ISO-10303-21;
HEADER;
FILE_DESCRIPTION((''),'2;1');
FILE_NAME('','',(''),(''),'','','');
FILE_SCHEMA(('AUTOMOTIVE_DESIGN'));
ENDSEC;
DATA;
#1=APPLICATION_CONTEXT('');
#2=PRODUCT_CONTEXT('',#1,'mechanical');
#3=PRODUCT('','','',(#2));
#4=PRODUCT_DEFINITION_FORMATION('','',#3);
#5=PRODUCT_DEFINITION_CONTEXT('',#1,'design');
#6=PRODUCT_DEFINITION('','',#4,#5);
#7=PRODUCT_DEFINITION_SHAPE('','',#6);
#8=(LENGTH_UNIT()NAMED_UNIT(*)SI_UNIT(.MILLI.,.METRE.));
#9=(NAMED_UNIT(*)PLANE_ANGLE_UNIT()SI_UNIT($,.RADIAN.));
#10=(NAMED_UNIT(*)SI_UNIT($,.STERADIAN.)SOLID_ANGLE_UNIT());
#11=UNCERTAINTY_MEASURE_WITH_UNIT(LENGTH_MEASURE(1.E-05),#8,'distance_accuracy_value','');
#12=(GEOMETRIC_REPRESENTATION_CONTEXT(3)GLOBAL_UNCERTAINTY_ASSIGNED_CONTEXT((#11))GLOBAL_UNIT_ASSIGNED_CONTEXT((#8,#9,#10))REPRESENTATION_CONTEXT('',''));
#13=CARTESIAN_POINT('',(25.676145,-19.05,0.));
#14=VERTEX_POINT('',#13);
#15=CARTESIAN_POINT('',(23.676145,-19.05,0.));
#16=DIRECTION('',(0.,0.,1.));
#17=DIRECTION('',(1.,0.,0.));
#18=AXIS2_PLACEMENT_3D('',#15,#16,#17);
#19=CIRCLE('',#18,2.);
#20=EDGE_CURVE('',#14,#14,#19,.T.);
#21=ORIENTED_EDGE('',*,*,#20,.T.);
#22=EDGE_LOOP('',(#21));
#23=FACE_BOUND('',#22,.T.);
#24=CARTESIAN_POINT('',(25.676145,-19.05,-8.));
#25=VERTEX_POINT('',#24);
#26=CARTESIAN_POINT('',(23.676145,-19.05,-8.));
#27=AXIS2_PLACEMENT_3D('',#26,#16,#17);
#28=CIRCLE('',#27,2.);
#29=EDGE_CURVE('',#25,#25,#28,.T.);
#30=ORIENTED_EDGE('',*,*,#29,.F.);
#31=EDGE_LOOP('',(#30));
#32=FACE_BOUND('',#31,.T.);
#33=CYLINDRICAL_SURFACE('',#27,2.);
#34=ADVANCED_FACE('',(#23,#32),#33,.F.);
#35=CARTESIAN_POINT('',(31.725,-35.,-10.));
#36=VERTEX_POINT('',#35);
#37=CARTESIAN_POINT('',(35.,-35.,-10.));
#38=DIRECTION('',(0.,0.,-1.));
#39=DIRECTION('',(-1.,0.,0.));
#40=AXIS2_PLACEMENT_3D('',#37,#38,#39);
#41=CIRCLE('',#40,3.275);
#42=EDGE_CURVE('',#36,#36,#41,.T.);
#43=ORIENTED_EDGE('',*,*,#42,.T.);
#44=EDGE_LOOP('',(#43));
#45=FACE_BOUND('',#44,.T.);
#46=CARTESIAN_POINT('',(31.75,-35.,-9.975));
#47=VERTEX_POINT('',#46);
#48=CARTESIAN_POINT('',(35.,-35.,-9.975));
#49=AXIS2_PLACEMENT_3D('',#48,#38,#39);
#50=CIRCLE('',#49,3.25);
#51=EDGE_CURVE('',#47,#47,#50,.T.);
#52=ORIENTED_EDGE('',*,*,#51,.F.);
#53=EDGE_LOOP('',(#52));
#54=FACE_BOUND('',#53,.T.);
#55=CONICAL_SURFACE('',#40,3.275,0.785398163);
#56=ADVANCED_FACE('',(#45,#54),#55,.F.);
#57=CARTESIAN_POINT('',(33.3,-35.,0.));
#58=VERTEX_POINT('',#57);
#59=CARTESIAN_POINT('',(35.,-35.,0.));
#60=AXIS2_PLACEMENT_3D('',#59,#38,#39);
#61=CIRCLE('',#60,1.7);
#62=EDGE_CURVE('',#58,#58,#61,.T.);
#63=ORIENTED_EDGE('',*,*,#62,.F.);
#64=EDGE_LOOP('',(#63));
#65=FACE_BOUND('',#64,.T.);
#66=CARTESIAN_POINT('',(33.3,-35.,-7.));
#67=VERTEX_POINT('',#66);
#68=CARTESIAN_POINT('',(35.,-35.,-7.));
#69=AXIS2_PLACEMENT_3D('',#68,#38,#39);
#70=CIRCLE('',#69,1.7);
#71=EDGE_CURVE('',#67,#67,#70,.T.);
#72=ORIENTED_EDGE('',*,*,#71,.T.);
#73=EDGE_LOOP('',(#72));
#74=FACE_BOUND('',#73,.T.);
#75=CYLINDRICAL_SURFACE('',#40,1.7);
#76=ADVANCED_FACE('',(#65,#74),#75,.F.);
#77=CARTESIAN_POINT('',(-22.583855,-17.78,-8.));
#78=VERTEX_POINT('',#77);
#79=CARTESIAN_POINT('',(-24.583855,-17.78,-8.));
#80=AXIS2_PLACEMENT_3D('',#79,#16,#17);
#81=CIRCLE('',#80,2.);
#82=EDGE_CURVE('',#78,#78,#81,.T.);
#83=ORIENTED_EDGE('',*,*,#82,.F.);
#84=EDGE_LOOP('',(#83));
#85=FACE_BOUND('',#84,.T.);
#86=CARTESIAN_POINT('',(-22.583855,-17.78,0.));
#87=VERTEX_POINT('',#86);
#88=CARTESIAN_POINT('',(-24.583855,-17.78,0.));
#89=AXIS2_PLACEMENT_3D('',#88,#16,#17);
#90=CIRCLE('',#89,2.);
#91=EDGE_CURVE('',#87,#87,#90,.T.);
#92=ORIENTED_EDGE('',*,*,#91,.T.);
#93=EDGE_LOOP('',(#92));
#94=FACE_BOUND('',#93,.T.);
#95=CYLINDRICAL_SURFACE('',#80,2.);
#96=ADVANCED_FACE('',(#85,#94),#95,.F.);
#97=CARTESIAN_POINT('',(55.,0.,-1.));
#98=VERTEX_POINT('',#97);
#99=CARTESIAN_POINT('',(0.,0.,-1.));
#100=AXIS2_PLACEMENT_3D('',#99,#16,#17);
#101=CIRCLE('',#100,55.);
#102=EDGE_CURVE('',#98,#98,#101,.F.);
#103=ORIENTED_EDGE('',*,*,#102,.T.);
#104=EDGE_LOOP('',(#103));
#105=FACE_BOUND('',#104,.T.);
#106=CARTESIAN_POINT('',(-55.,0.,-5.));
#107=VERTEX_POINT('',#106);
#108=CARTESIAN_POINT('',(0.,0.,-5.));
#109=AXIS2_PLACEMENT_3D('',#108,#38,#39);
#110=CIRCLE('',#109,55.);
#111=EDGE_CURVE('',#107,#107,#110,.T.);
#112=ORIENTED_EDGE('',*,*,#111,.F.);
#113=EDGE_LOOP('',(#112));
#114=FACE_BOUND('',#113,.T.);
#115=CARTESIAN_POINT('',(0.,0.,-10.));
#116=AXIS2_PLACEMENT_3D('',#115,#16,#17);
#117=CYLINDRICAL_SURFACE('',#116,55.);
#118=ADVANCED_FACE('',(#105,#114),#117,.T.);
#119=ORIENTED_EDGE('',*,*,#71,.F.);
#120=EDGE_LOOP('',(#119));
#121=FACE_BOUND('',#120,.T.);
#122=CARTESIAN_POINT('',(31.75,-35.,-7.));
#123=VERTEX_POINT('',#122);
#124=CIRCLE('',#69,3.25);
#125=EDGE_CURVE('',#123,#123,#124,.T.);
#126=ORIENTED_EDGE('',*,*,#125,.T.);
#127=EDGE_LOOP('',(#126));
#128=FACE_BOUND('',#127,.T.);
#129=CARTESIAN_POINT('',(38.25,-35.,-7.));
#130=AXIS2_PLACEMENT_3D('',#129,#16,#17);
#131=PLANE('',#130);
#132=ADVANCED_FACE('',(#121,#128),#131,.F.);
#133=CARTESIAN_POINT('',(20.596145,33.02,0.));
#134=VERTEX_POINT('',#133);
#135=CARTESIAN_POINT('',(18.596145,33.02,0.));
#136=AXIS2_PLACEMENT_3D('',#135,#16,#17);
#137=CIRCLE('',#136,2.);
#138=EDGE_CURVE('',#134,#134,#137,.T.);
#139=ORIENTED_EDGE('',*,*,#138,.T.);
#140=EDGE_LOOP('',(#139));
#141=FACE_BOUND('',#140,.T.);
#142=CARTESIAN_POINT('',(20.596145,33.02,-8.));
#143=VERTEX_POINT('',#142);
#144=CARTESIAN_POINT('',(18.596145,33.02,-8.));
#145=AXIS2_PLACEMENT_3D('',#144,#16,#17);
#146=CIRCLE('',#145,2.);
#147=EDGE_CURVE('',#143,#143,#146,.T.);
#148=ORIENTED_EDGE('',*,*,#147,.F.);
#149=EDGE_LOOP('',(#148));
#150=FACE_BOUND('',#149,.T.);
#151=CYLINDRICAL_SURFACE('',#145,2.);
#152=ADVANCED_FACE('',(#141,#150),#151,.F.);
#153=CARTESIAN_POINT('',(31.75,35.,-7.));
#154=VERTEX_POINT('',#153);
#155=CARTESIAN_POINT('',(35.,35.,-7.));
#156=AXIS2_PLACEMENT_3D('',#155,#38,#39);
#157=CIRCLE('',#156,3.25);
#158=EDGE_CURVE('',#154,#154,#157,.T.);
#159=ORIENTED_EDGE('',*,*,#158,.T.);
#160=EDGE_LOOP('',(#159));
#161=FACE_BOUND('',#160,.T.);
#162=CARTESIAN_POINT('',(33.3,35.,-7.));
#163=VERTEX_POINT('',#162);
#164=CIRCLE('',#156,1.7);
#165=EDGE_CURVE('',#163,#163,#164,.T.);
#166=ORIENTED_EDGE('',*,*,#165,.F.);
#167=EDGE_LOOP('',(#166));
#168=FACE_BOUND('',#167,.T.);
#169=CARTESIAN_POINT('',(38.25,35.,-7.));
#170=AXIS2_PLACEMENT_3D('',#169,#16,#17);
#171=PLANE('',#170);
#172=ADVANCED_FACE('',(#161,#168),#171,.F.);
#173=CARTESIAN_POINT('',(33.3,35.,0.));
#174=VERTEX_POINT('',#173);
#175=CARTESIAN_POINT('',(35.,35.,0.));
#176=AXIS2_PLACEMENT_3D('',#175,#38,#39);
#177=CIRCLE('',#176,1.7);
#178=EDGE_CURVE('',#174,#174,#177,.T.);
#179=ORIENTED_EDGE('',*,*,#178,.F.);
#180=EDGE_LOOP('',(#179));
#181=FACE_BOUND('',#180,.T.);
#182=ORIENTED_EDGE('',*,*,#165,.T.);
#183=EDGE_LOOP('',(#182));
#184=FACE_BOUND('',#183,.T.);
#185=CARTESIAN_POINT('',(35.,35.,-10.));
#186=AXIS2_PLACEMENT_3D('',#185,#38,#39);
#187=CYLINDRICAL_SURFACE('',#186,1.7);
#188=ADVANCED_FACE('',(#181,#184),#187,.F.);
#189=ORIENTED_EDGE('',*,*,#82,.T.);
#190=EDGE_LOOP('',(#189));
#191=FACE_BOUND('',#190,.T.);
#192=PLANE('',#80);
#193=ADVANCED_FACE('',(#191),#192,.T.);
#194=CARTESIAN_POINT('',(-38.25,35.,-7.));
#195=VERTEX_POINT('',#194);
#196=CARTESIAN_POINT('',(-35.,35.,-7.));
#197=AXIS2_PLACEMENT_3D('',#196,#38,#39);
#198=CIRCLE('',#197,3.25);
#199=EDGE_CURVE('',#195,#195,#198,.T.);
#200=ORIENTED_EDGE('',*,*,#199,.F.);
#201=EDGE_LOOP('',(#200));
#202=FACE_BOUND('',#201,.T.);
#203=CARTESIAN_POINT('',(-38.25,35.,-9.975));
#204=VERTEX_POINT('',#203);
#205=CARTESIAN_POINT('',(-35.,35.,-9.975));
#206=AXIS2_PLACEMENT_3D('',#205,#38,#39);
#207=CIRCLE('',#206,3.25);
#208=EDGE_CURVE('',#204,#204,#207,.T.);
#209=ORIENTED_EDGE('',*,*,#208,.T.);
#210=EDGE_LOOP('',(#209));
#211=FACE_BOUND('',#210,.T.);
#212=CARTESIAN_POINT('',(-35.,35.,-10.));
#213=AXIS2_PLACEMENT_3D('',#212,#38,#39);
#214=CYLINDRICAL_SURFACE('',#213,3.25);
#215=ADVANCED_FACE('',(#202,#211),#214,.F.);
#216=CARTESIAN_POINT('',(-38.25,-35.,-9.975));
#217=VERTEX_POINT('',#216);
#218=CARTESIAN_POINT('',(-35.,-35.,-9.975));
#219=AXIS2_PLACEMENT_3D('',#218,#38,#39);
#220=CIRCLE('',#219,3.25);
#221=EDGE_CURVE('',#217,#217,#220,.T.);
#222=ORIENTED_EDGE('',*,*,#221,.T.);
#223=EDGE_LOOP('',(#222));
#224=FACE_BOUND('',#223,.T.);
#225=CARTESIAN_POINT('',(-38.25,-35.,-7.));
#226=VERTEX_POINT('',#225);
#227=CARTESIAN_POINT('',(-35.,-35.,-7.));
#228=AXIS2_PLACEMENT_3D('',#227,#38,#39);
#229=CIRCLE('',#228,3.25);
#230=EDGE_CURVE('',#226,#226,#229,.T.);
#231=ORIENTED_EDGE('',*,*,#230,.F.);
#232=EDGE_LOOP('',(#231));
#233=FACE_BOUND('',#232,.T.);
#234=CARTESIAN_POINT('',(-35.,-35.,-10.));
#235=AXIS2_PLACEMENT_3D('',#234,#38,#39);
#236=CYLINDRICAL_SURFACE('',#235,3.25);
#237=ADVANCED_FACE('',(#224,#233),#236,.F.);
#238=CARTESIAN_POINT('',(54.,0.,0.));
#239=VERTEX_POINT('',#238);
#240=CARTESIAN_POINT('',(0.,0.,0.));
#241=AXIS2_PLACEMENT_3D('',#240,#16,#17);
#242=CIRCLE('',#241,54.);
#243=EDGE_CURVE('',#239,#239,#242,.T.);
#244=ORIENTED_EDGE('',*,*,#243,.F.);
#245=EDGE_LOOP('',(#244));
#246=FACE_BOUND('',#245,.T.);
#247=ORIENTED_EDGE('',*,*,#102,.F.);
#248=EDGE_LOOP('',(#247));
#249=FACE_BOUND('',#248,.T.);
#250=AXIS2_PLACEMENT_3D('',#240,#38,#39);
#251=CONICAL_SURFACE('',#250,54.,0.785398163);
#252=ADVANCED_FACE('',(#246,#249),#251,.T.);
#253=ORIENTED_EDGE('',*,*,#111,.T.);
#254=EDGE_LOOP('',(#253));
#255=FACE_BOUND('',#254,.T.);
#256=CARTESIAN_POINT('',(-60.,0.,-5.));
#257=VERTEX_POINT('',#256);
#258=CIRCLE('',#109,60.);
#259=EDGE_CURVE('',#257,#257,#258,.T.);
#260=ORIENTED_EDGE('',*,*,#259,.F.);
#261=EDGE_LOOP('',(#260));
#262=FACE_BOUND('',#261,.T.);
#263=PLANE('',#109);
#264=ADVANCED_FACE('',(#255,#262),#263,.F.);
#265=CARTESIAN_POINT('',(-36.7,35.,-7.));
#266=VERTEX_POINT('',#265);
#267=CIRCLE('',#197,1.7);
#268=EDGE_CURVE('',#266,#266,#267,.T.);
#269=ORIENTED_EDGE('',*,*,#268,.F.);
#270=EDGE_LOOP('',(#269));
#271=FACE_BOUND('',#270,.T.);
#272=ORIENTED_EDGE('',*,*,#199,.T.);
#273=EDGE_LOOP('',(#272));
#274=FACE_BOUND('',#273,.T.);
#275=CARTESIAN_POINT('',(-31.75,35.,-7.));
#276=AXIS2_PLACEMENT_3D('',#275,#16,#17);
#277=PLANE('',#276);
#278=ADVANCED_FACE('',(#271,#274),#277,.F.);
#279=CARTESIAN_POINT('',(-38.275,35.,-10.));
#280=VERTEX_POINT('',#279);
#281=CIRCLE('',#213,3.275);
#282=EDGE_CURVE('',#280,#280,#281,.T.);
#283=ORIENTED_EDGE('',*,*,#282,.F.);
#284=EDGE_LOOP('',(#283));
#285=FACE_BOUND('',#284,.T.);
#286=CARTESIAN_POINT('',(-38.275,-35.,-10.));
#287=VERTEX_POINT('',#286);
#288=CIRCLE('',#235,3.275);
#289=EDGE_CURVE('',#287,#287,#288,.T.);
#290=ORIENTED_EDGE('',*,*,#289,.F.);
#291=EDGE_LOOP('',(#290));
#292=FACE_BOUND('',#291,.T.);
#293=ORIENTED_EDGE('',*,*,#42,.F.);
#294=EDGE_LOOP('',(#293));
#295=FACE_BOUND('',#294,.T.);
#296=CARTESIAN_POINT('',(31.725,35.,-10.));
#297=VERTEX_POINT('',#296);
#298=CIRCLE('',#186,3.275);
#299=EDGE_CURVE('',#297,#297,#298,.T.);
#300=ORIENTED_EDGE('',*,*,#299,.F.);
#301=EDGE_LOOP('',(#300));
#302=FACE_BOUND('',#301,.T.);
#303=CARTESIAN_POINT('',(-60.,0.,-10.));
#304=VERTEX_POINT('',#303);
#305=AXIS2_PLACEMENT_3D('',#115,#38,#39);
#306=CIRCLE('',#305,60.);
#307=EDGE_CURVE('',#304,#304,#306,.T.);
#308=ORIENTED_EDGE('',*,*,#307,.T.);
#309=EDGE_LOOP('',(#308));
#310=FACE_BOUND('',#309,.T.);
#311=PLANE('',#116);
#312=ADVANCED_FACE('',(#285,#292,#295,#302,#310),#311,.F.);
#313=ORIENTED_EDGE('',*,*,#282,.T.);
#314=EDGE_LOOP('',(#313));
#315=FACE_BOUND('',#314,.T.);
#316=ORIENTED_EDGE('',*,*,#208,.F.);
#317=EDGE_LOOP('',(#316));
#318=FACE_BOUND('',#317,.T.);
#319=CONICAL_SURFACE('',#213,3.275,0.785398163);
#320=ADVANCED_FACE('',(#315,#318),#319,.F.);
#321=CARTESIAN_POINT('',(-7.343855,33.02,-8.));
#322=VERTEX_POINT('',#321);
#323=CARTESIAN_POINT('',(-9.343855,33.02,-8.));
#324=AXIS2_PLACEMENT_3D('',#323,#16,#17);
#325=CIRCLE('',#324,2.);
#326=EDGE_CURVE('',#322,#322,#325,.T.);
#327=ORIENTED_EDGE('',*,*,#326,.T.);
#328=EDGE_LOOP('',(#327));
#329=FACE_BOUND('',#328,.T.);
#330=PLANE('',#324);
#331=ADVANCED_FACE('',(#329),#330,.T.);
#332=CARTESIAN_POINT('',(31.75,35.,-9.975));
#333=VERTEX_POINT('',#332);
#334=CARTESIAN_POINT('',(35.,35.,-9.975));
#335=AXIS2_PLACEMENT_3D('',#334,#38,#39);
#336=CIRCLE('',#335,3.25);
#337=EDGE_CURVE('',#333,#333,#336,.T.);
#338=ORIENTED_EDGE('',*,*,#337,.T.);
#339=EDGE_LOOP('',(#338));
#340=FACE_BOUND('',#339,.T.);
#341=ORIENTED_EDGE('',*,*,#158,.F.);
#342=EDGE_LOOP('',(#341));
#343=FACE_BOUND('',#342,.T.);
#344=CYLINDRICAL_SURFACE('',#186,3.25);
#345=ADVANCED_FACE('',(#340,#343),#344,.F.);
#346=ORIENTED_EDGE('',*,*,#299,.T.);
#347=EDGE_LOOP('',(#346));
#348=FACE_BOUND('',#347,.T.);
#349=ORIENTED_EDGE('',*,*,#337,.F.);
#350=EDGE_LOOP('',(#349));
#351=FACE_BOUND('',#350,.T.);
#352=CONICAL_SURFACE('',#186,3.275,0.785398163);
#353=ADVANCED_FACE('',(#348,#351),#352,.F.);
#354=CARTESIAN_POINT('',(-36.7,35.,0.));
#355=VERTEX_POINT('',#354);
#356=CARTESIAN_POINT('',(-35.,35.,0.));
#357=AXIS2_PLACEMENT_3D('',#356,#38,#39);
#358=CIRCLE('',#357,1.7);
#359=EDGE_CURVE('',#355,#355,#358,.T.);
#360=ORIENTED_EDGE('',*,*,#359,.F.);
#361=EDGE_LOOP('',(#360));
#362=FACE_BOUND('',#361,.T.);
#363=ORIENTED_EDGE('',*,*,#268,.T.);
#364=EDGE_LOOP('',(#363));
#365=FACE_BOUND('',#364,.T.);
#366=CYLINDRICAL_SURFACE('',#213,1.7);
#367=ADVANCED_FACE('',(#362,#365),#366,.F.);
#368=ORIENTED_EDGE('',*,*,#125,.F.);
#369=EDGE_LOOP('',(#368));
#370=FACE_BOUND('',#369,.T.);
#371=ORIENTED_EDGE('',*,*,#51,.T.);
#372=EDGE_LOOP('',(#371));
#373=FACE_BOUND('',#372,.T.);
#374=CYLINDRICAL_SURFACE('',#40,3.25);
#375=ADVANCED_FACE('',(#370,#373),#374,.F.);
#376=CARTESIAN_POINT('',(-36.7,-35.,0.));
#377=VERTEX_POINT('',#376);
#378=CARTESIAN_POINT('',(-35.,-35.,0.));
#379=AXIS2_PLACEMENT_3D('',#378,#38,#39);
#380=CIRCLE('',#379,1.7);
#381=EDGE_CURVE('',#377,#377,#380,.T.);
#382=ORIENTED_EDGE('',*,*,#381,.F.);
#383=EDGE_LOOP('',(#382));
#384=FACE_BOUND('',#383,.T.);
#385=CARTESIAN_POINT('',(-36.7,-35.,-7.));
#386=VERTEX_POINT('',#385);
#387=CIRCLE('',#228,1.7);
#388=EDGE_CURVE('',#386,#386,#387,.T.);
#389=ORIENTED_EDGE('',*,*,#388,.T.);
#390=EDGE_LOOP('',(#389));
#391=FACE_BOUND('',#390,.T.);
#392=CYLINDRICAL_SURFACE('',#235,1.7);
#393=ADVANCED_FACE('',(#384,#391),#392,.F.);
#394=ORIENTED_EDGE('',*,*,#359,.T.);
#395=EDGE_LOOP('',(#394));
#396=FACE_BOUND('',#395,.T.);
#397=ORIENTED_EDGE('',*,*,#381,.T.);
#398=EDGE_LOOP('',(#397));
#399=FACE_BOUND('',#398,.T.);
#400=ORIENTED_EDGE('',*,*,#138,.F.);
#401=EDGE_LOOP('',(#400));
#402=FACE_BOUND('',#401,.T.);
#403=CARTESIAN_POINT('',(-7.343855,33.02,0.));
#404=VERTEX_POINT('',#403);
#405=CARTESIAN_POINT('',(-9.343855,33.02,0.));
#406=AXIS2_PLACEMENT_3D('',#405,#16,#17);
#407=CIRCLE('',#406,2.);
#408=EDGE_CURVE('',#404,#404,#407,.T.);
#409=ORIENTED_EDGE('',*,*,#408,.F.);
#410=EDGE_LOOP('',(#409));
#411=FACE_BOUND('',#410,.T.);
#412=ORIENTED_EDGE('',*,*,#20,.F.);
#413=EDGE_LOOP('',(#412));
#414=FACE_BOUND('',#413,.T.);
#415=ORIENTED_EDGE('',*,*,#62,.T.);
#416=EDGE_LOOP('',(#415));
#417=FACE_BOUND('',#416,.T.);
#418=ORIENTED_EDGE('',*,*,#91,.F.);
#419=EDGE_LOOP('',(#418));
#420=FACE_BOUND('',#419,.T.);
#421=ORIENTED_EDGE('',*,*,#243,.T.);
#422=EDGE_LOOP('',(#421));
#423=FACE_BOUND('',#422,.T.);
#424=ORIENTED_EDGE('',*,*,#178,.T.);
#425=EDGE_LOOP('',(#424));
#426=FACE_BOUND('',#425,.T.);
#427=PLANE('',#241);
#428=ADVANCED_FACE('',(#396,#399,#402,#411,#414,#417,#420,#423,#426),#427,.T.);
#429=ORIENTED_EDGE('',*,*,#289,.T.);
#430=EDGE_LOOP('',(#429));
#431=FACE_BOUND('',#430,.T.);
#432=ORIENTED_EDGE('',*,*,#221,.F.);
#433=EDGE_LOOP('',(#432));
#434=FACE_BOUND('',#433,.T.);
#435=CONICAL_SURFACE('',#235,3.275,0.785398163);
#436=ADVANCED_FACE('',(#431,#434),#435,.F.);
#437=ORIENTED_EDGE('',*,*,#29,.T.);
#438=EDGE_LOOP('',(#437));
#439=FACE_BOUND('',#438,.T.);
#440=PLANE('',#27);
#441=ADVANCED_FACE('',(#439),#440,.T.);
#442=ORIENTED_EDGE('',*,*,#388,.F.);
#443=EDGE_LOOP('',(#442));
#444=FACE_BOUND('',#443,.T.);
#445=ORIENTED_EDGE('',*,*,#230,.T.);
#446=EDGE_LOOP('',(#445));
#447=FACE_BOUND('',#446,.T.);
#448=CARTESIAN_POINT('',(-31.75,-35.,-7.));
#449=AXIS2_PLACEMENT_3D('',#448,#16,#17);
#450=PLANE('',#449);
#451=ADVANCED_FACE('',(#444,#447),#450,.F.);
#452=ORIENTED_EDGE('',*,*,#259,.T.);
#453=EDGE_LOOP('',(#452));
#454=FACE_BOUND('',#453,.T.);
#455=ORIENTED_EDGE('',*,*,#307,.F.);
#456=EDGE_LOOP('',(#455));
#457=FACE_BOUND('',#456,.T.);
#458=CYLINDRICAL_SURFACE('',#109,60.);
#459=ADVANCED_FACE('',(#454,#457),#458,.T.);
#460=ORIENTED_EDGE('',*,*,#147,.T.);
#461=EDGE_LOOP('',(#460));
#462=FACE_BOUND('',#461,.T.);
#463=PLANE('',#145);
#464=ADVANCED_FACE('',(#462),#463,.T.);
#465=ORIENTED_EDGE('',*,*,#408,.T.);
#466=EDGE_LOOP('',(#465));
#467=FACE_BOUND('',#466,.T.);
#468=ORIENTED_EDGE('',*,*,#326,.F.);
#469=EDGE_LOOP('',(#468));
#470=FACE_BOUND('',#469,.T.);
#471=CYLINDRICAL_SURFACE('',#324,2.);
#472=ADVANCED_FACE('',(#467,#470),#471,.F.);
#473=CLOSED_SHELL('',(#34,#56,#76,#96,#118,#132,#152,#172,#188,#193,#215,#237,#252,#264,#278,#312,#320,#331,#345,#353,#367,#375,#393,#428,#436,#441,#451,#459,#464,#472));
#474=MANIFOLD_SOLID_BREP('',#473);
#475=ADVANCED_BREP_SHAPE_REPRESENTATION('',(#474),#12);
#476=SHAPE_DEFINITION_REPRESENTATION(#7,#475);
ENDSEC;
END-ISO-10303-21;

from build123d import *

# Parameters (mm, degrees)
SKETCH1_R                     = 55
BOSS_EXTRUDE1_DEPTH           = 10
SKETCH6_R                     = 50
BOSS_EXTRUDE3_DEPTH           = 5
SKETCH9_R                     = 2
CUT_EXTRUDE2_DEPTH            = 8
BOSS_EXTRUDE4_START           = -5
SKETCH24_R                    = 60
SKETCH24_R_2                  = 55
BOSS_EXTRUDE4_DEPTH           = 5
CBORE_FOR_M3_SHCS1_AT_2_COUNT = 2
CBORE_FOR_M3_SHCS1_AT_2_PITCH = 70
CBORE_FOR_M3_SHCS1_AT_3_COUNT = 2
CBORE_FOR_M3_SHCS1_AT_3_PITCH = 70
CBORE_FOR_M3_SHCS1_AT_4_COUNT = 2
CBORE_FOR_M3_SHCS1_AT_4_PITCH = 98.994949366
CHAMFER2_SIZE                 = 1


with BuildPart() as part:
    # Sketch1 → Boss-Extrude1 (new body)
    with BuildSketch(Plane.XY):
        Circle(SKETCH1_R)
    extrude(amount=-BOSS_EXTRUDE1_DEPTH)

    # Sketch6 → Boss-Extrude3 (add)
    with BuildSketch(Plane(origin=(0, 0, -10), x_dir=(-1, 0, 0), z_dir=(0, 0, -1))):
        Circle(SKETCH6_R)
    extrude(amount=-BOSS_EXTRUDE3_DEPTH)

    # Sketch9 → Cut-Extrude2 (cut)
    with BuildSketch(Plane.XY):
        with Locations((23.676144844, -19.05)):
            Circle(SKETCH9_R)
        with Locations((-24.583855156, -17.78)):
            Circle(SKETCH9_R)
        with Locations((18.596144844, 33.02)):
            Circle(SKETCH9_R)
        with Locations((-9.343855156, 33.02)):
            Circle(SKETCH9_R)
    extrude(amount=-CUT_EXTRUDE2_DEPTH, mode=Mode.SUBTRACT)

    # Sketch24 → Boss-Extrude4 (add)
    with BuildSketch(Plane(origin=(0, 0, -10), x_dir=(-1, 0, 0), z_dir=(0, 0, -1)).offset(BOSS_EXTRUDE4_START)):
        Circle(SKETCH24_R)
        with Locations(Location((0, 0, 0), (0, 0, 180))):
            Circle(SKETCH24_R_2, mode=Mode.SUBTRACT)
    extrude(amount=BOSS_EXTRUDE4_DEPTH)

    # Sketch26 → CBORE for M3 SHCS1 (revolve, cut)
    with BuildSketch(Plane(origin=(-35, -35, -10), x_dir=(0, 1, 0), z_dir=(1, 0, 0))):
        Polygon((0, 0), (0, 10), (1.7, 10), (1.7, 3), (3.25, 3), (3.25, 0.025), (3.275, 0), align=None)
    cbore_for_m3_shcs1 = revolve(axis=Axis((-35, -35, -16.35), (0, 0, 1)), mode=Mode.SUBTRACT)

    # CBORE for M3 SHCS1 at 2: CBORE for M3 SHCS1 ×2
    with Locations(*[(0, i * CBORE_FOR_M3_SHCS1_AT_2_PITCH, 0) for i in range(1, CBORE_FOR_M3_SHCS1_AT_2_COUNT)]):
        add(cbore_for_m3_shcs1, mode=Mode.SUBTRACT)

    # CBORE for M3 SHCS1 at 3: CBORE for M3 SHCS1 ×2
    with Locations(*[(i * CBORE_FOR_M3_SHCS1_AT_3_PITCH, 0, 0) for i in range(1, CBORE_FOR_M3_SHCS1_AT_3_COUNT)]):
        add(cbore_for_m3_shcs1, mode=Mode.SUBTRACT)

    # CBORE for M3 SHCS1 at 4: CBORE for M3 SHCS1 ×2
    with Locations(*[Vector(0.7071067811865476, 0.7071067811865476, 0) * (i * CBORE_FOR_M3_SHCS1_AT_4_PITCH) for i in range(1, CBORE_FOR_M3_SHCS1_AT_4_COUNT)]):
        add(cbore_for_m3_shcs1, mode=Mode.SUBTRACT)

    # Chamfer2
    chamfer2_edges = [part.edges().sort_by_distance(p)[0] for p in [
        (-55, 0, 0),
    ]]
    chamfer(chamfer2_edges, length=CHAMFER2_SIZE)


solid = part.part
